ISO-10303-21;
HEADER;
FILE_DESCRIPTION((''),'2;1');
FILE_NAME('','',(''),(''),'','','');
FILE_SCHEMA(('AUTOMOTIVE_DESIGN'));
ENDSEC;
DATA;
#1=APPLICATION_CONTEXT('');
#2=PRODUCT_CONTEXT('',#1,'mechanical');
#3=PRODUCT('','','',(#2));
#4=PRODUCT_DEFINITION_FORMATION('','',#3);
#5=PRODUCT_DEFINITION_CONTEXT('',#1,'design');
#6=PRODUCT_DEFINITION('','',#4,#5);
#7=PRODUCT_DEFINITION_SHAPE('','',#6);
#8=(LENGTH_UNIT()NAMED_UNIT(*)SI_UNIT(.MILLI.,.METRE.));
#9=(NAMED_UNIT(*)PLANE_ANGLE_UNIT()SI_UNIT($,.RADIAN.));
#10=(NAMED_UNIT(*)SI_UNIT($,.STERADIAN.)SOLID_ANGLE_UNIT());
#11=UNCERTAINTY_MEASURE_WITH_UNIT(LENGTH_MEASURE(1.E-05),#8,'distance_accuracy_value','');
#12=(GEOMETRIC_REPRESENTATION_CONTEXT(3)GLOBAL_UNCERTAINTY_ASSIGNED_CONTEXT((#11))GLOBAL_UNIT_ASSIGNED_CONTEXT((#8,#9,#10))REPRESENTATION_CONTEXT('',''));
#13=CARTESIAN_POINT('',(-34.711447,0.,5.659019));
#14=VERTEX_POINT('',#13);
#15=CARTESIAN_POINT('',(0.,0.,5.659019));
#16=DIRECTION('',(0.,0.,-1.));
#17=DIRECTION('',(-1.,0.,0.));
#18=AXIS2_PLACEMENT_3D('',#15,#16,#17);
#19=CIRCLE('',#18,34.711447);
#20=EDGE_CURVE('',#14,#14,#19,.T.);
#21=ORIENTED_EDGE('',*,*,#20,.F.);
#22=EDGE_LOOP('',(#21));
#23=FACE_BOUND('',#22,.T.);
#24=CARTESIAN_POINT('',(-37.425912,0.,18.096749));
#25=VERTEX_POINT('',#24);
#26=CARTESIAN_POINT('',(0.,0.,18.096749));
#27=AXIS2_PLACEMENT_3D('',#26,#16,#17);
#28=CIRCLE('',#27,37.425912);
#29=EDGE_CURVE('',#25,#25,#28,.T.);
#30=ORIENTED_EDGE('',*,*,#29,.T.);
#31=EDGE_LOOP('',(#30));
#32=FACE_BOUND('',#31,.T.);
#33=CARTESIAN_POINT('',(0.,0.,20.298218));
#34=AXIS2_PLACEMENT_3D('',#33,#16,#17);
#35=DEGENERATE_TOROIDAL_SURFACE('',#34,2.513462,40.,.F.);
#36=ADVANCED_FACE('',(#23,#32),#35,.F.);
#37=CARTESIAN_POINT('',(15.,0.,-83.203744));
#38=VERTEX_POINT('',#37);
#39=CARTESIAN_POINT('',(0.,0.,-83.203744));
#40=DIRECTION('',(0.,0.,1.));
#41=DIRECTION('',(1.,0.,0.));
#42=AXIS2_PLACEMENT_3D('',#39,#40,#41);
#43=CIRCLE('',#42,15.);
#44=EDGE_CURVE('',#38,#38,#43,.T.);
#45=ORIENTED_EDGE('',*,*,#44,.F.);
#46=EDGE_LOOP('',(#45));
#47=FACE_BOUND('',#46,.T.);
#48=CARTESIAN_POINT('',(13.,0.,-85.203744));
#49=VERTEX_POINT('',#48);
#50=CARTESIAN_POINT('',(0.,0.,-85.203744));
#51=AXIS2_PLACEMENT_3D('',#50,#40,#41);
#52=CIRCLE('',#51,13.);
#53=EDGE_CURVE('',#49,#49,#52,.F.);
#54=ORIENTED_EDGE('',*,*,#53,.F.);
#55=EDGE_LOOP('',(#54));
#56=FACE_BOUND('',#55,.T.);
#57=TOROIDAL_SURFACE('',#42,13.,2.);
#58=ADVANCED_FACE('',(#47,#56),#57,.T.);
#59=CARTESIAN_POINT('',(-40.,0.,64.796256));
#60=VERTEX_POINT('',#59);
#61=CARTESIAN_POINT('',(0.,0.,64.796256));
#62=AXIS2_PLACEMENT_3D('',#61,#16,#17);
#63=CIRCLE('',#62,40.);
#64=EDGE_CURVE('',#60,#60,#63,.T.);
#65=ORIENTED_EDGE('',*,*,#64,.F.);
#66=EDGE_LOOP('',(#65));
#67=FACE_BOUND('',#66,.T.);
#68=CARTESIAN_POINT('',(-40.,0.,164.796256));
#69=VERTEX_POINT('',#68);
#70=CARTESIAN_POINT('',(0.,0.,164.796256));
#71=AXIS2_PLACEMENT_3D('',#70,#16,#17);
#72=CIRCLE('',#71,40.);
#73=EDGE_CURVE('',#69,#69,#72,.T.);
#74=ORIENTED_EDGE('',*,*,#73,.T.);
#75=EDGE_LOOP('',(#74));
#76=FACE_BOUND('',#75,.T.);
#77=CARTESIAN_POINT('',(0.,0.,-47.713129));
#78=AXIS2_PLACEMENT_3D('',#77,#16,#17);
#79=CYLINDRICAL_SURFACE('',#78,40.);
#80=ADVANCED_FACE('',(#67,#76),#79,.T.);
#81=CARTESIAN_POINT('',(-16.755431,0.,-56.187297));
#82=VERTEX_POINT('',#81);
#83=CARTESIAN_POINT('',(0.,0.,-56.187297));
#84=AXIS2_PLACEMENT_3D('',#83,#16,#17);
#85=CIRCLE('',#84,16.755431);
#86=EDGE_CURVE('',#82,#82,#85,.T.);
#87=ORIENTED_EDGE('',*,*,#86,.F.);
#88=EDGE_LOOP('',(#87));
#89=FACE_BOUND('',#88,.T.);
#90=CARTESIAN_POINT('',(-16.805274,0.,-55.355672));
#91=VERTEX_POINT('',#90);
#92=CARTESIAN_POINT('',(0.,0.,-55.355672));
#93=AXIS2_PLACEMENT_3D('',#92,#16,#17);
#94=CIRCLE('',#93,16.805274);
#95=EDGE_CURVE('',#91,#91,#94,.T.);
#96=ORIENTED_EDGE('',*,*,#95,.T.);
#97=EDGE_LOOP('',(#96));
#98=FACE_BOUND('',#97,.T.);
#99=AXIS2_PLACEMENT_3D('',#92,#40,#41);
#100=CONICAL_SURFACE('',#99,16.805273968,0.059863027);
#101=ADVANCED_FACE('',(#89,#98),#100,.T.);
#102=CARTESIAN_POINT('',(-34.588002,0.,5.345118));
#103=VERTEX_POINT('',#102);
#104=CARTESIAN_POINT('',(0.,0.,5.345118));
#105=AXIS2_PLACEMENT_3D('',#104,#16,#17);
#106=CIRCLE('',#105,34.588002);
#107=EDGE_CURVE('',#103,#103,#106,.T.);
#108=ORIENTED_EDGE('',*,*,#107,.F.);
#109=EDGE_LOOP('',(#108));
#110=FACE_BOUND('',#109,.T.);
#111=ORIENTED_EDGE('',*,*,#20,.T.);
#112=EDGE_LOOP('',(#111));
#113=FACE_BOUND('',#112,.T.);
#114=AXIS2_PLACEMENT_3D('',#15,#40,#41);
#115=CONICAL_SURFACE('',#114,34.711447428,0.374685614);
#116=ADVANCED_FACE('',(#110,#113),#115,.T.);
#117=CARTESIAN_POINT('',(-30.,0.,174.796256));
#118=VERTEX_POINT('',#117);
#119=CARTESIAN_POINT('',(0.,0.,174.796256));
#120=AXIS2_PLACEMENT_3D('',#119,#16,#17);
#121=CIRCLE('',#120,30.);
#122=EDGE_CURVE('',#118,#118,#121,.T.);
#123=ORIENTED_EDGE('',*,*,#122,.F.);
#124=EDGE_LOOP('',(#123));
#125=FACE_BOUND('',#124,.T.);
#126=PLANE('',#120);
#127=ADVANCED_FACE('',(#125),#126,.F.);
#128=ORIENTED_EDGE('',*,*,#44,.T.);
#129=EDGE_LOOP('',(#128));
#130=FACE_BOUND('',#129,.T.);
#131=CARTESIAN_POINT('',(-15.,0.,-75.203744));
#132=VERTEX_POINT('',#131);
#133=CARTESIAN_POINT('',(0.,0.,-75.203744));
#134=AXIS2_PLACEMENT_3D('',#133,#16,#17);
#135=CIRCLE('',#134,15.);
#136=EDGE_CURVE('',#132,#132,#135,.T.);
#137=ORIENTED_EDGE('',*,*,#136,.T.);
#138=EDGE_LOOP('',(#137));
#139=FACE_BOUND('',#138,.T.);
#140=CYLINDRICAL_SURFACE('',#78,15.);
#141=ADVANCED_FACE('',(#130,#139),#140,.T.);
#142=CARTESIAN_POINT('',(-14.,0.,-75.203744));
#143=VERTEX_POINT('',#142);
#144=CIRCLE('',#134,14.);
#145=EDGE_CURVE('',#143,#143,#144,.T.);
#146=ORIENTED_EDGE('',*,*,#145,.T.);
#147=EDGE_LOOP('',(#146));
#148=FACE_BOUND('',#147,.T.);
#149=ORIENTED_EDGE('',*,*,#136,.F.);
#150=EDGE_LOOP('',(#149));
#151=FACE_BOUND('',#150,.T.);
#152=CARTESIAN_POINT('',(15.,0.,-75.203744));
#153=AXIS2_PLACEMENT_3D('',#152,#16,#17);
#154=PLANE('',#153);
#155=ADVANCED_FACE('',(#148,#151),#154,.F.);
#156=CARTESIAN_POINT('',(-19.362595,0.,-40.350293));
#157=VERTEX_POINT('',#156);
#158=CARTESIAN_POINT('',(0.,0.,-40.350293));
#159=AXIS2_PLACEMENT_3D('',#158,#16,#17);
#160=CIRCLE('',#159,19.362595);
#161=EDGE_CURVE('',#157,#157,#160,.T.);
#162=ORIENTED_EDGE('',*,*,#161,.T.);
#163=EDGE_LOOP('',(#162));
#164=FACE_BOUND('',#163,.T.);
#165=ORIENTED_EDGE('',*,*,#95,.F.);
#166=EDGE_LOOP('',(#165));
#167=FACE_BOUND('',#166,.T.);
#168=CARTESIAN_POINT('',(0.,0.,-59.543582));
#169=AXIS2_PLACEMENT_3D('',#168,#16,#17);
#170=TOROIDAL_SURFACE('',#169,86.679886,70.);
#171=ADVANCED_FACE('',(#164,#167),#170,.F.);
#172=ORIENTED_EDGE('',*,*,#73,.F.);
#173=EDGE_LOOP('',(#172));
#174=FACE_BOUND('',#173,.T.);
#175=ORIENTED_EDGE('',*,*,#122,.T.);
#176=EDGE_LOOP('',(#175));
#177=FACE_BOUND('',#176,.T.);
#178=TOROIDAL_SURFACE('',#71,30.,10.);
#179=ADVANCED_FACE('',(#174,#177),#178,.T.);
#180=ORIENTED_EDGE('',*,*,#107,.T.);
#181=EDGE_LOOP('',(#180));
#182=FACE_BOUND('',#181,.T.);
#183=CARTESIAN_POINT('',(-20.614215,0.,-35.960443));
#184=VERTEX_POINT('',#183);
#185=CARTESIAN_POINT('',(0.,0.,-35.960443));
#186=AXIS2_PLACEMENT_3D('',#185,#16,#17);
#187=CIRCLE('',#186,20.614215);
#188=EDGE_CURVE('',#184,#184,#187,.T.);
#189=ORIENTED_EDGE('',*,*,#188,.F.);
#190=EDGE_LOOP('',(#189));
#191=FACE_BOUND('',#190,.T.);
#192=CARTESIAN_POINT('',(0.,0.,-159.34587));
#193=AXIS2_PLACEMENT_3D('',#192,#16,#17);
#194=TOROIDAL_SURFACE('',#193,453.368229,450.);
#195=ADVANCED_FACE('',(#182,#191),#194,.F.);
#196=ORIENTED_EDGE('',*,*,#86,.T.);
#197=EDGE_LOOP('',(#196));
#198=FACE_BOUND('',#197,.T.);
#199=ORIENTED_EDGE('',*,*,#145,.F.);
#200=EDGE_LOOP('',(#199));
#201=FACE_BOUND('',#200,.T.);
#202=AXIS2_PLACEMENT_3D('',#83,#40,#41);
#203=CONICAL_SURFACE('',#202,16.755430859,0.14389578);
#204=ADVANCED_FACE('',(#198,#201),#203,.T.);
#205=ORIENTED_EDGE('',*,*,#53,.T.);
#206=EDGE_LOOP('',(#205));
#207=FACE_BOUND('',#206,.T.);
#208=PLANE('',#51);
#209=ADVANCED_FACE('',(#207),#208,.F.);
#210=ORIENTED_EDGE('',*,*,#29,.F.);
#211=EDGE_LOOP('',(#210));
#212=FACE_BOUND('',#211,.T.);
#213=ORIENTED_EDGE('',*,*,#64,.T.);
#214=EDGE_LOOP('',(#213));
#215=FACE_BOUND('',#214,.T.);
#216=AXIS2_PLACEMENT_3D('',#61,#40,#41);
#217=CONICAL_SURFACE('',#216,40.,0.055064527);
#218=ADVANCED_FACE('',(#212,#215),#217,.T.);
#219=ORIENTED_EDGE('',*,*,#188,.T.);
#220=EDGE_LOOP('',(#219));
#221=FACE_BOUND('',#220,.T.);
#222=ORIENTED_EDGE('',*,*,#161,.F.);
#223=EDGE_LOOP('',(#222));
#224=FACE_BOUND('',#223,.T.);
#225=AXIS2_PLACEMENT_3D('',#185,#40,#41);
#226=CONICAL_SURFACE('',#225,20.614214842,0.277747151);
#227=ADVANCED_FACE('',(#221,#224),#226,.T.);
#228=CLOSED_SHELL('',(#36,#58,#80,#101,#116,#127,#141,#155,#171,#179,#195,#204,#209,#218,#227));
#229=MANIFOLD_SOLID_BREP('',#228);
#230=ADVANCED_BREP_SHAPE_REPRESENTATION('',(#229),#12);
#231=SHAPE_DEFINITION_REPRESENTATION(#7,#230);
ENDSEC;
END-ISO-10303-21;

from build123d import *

# Parameters (mm, degrees)
FILLET1_R = 2


with BuildPart() as part:
    # Sketch1 → Revolve1 (revolve)
    with BuildSketch(Plane(origin=(0, 0, 0), x_dir=(1, 0, 0), z_dir=(0, 1, 0)), mode=Mode.PRIVATE) as revolve1_sk:
        with BuildLine():
            Line((0, 85.203744498), (15, 85.203744498))
            Line((15, 85.203744498), (15, 75.203744498))
            Line((15, 75.203744498), (14, 75.203744498))
            Line((14, 75.203744498), (16.755430859, 56.187296855))
            Line((16.755430859, 56.187296855), (16.805273968, 55.355672424))
            ThreePointArc((16.805273968, 55.355672424), (17.674850572, 47.783264008), (19.362594994, 40.350293442))
            Line((19.362594994, 40.350293442), (20.614214842, 35.960443447))
            ThreePointArc((20.614214842, 35.960443447), (27.100498023, 15.138305045), (34.588001623, -5.345117691))
            Line((34.588001623, -5.345117691), (34.711447428, -5.659018669))
            ThreePointArc((34.711447428, -5.659018669), (36.566659948, -11.769202622), (37.425911626, -18.096749382))
            Line((37.425911626, -18.096749382), (40, -64.796255502))
            Line((40, -64.796255502), (40, -164.796255502))
            ThreePointArc((40, -164.796255502), (37.071067812, -171.867323314), (30, -174.796255502))
            Line((30, -174.796255502), (0, -174.796255502))
            Line((0, -174.796255502), (0, 85.203744498))
        make_face()
    revolve(revolve1_sk.sketch.rotate(Axis((0, 0, -47.713129303), (0, 0, 1)), 180), axis=Axis((0, 0, -47.713129303), (0, 0, 1)))

    # Fillet1
    fillet1_edges = [part.edges().sort_by_distance(p)[0] for p in [
        (15, 0, -85.203744498),
    ]]
    fillet(fillet1_edges, radius=FILLET1_R)


solid = part.part
